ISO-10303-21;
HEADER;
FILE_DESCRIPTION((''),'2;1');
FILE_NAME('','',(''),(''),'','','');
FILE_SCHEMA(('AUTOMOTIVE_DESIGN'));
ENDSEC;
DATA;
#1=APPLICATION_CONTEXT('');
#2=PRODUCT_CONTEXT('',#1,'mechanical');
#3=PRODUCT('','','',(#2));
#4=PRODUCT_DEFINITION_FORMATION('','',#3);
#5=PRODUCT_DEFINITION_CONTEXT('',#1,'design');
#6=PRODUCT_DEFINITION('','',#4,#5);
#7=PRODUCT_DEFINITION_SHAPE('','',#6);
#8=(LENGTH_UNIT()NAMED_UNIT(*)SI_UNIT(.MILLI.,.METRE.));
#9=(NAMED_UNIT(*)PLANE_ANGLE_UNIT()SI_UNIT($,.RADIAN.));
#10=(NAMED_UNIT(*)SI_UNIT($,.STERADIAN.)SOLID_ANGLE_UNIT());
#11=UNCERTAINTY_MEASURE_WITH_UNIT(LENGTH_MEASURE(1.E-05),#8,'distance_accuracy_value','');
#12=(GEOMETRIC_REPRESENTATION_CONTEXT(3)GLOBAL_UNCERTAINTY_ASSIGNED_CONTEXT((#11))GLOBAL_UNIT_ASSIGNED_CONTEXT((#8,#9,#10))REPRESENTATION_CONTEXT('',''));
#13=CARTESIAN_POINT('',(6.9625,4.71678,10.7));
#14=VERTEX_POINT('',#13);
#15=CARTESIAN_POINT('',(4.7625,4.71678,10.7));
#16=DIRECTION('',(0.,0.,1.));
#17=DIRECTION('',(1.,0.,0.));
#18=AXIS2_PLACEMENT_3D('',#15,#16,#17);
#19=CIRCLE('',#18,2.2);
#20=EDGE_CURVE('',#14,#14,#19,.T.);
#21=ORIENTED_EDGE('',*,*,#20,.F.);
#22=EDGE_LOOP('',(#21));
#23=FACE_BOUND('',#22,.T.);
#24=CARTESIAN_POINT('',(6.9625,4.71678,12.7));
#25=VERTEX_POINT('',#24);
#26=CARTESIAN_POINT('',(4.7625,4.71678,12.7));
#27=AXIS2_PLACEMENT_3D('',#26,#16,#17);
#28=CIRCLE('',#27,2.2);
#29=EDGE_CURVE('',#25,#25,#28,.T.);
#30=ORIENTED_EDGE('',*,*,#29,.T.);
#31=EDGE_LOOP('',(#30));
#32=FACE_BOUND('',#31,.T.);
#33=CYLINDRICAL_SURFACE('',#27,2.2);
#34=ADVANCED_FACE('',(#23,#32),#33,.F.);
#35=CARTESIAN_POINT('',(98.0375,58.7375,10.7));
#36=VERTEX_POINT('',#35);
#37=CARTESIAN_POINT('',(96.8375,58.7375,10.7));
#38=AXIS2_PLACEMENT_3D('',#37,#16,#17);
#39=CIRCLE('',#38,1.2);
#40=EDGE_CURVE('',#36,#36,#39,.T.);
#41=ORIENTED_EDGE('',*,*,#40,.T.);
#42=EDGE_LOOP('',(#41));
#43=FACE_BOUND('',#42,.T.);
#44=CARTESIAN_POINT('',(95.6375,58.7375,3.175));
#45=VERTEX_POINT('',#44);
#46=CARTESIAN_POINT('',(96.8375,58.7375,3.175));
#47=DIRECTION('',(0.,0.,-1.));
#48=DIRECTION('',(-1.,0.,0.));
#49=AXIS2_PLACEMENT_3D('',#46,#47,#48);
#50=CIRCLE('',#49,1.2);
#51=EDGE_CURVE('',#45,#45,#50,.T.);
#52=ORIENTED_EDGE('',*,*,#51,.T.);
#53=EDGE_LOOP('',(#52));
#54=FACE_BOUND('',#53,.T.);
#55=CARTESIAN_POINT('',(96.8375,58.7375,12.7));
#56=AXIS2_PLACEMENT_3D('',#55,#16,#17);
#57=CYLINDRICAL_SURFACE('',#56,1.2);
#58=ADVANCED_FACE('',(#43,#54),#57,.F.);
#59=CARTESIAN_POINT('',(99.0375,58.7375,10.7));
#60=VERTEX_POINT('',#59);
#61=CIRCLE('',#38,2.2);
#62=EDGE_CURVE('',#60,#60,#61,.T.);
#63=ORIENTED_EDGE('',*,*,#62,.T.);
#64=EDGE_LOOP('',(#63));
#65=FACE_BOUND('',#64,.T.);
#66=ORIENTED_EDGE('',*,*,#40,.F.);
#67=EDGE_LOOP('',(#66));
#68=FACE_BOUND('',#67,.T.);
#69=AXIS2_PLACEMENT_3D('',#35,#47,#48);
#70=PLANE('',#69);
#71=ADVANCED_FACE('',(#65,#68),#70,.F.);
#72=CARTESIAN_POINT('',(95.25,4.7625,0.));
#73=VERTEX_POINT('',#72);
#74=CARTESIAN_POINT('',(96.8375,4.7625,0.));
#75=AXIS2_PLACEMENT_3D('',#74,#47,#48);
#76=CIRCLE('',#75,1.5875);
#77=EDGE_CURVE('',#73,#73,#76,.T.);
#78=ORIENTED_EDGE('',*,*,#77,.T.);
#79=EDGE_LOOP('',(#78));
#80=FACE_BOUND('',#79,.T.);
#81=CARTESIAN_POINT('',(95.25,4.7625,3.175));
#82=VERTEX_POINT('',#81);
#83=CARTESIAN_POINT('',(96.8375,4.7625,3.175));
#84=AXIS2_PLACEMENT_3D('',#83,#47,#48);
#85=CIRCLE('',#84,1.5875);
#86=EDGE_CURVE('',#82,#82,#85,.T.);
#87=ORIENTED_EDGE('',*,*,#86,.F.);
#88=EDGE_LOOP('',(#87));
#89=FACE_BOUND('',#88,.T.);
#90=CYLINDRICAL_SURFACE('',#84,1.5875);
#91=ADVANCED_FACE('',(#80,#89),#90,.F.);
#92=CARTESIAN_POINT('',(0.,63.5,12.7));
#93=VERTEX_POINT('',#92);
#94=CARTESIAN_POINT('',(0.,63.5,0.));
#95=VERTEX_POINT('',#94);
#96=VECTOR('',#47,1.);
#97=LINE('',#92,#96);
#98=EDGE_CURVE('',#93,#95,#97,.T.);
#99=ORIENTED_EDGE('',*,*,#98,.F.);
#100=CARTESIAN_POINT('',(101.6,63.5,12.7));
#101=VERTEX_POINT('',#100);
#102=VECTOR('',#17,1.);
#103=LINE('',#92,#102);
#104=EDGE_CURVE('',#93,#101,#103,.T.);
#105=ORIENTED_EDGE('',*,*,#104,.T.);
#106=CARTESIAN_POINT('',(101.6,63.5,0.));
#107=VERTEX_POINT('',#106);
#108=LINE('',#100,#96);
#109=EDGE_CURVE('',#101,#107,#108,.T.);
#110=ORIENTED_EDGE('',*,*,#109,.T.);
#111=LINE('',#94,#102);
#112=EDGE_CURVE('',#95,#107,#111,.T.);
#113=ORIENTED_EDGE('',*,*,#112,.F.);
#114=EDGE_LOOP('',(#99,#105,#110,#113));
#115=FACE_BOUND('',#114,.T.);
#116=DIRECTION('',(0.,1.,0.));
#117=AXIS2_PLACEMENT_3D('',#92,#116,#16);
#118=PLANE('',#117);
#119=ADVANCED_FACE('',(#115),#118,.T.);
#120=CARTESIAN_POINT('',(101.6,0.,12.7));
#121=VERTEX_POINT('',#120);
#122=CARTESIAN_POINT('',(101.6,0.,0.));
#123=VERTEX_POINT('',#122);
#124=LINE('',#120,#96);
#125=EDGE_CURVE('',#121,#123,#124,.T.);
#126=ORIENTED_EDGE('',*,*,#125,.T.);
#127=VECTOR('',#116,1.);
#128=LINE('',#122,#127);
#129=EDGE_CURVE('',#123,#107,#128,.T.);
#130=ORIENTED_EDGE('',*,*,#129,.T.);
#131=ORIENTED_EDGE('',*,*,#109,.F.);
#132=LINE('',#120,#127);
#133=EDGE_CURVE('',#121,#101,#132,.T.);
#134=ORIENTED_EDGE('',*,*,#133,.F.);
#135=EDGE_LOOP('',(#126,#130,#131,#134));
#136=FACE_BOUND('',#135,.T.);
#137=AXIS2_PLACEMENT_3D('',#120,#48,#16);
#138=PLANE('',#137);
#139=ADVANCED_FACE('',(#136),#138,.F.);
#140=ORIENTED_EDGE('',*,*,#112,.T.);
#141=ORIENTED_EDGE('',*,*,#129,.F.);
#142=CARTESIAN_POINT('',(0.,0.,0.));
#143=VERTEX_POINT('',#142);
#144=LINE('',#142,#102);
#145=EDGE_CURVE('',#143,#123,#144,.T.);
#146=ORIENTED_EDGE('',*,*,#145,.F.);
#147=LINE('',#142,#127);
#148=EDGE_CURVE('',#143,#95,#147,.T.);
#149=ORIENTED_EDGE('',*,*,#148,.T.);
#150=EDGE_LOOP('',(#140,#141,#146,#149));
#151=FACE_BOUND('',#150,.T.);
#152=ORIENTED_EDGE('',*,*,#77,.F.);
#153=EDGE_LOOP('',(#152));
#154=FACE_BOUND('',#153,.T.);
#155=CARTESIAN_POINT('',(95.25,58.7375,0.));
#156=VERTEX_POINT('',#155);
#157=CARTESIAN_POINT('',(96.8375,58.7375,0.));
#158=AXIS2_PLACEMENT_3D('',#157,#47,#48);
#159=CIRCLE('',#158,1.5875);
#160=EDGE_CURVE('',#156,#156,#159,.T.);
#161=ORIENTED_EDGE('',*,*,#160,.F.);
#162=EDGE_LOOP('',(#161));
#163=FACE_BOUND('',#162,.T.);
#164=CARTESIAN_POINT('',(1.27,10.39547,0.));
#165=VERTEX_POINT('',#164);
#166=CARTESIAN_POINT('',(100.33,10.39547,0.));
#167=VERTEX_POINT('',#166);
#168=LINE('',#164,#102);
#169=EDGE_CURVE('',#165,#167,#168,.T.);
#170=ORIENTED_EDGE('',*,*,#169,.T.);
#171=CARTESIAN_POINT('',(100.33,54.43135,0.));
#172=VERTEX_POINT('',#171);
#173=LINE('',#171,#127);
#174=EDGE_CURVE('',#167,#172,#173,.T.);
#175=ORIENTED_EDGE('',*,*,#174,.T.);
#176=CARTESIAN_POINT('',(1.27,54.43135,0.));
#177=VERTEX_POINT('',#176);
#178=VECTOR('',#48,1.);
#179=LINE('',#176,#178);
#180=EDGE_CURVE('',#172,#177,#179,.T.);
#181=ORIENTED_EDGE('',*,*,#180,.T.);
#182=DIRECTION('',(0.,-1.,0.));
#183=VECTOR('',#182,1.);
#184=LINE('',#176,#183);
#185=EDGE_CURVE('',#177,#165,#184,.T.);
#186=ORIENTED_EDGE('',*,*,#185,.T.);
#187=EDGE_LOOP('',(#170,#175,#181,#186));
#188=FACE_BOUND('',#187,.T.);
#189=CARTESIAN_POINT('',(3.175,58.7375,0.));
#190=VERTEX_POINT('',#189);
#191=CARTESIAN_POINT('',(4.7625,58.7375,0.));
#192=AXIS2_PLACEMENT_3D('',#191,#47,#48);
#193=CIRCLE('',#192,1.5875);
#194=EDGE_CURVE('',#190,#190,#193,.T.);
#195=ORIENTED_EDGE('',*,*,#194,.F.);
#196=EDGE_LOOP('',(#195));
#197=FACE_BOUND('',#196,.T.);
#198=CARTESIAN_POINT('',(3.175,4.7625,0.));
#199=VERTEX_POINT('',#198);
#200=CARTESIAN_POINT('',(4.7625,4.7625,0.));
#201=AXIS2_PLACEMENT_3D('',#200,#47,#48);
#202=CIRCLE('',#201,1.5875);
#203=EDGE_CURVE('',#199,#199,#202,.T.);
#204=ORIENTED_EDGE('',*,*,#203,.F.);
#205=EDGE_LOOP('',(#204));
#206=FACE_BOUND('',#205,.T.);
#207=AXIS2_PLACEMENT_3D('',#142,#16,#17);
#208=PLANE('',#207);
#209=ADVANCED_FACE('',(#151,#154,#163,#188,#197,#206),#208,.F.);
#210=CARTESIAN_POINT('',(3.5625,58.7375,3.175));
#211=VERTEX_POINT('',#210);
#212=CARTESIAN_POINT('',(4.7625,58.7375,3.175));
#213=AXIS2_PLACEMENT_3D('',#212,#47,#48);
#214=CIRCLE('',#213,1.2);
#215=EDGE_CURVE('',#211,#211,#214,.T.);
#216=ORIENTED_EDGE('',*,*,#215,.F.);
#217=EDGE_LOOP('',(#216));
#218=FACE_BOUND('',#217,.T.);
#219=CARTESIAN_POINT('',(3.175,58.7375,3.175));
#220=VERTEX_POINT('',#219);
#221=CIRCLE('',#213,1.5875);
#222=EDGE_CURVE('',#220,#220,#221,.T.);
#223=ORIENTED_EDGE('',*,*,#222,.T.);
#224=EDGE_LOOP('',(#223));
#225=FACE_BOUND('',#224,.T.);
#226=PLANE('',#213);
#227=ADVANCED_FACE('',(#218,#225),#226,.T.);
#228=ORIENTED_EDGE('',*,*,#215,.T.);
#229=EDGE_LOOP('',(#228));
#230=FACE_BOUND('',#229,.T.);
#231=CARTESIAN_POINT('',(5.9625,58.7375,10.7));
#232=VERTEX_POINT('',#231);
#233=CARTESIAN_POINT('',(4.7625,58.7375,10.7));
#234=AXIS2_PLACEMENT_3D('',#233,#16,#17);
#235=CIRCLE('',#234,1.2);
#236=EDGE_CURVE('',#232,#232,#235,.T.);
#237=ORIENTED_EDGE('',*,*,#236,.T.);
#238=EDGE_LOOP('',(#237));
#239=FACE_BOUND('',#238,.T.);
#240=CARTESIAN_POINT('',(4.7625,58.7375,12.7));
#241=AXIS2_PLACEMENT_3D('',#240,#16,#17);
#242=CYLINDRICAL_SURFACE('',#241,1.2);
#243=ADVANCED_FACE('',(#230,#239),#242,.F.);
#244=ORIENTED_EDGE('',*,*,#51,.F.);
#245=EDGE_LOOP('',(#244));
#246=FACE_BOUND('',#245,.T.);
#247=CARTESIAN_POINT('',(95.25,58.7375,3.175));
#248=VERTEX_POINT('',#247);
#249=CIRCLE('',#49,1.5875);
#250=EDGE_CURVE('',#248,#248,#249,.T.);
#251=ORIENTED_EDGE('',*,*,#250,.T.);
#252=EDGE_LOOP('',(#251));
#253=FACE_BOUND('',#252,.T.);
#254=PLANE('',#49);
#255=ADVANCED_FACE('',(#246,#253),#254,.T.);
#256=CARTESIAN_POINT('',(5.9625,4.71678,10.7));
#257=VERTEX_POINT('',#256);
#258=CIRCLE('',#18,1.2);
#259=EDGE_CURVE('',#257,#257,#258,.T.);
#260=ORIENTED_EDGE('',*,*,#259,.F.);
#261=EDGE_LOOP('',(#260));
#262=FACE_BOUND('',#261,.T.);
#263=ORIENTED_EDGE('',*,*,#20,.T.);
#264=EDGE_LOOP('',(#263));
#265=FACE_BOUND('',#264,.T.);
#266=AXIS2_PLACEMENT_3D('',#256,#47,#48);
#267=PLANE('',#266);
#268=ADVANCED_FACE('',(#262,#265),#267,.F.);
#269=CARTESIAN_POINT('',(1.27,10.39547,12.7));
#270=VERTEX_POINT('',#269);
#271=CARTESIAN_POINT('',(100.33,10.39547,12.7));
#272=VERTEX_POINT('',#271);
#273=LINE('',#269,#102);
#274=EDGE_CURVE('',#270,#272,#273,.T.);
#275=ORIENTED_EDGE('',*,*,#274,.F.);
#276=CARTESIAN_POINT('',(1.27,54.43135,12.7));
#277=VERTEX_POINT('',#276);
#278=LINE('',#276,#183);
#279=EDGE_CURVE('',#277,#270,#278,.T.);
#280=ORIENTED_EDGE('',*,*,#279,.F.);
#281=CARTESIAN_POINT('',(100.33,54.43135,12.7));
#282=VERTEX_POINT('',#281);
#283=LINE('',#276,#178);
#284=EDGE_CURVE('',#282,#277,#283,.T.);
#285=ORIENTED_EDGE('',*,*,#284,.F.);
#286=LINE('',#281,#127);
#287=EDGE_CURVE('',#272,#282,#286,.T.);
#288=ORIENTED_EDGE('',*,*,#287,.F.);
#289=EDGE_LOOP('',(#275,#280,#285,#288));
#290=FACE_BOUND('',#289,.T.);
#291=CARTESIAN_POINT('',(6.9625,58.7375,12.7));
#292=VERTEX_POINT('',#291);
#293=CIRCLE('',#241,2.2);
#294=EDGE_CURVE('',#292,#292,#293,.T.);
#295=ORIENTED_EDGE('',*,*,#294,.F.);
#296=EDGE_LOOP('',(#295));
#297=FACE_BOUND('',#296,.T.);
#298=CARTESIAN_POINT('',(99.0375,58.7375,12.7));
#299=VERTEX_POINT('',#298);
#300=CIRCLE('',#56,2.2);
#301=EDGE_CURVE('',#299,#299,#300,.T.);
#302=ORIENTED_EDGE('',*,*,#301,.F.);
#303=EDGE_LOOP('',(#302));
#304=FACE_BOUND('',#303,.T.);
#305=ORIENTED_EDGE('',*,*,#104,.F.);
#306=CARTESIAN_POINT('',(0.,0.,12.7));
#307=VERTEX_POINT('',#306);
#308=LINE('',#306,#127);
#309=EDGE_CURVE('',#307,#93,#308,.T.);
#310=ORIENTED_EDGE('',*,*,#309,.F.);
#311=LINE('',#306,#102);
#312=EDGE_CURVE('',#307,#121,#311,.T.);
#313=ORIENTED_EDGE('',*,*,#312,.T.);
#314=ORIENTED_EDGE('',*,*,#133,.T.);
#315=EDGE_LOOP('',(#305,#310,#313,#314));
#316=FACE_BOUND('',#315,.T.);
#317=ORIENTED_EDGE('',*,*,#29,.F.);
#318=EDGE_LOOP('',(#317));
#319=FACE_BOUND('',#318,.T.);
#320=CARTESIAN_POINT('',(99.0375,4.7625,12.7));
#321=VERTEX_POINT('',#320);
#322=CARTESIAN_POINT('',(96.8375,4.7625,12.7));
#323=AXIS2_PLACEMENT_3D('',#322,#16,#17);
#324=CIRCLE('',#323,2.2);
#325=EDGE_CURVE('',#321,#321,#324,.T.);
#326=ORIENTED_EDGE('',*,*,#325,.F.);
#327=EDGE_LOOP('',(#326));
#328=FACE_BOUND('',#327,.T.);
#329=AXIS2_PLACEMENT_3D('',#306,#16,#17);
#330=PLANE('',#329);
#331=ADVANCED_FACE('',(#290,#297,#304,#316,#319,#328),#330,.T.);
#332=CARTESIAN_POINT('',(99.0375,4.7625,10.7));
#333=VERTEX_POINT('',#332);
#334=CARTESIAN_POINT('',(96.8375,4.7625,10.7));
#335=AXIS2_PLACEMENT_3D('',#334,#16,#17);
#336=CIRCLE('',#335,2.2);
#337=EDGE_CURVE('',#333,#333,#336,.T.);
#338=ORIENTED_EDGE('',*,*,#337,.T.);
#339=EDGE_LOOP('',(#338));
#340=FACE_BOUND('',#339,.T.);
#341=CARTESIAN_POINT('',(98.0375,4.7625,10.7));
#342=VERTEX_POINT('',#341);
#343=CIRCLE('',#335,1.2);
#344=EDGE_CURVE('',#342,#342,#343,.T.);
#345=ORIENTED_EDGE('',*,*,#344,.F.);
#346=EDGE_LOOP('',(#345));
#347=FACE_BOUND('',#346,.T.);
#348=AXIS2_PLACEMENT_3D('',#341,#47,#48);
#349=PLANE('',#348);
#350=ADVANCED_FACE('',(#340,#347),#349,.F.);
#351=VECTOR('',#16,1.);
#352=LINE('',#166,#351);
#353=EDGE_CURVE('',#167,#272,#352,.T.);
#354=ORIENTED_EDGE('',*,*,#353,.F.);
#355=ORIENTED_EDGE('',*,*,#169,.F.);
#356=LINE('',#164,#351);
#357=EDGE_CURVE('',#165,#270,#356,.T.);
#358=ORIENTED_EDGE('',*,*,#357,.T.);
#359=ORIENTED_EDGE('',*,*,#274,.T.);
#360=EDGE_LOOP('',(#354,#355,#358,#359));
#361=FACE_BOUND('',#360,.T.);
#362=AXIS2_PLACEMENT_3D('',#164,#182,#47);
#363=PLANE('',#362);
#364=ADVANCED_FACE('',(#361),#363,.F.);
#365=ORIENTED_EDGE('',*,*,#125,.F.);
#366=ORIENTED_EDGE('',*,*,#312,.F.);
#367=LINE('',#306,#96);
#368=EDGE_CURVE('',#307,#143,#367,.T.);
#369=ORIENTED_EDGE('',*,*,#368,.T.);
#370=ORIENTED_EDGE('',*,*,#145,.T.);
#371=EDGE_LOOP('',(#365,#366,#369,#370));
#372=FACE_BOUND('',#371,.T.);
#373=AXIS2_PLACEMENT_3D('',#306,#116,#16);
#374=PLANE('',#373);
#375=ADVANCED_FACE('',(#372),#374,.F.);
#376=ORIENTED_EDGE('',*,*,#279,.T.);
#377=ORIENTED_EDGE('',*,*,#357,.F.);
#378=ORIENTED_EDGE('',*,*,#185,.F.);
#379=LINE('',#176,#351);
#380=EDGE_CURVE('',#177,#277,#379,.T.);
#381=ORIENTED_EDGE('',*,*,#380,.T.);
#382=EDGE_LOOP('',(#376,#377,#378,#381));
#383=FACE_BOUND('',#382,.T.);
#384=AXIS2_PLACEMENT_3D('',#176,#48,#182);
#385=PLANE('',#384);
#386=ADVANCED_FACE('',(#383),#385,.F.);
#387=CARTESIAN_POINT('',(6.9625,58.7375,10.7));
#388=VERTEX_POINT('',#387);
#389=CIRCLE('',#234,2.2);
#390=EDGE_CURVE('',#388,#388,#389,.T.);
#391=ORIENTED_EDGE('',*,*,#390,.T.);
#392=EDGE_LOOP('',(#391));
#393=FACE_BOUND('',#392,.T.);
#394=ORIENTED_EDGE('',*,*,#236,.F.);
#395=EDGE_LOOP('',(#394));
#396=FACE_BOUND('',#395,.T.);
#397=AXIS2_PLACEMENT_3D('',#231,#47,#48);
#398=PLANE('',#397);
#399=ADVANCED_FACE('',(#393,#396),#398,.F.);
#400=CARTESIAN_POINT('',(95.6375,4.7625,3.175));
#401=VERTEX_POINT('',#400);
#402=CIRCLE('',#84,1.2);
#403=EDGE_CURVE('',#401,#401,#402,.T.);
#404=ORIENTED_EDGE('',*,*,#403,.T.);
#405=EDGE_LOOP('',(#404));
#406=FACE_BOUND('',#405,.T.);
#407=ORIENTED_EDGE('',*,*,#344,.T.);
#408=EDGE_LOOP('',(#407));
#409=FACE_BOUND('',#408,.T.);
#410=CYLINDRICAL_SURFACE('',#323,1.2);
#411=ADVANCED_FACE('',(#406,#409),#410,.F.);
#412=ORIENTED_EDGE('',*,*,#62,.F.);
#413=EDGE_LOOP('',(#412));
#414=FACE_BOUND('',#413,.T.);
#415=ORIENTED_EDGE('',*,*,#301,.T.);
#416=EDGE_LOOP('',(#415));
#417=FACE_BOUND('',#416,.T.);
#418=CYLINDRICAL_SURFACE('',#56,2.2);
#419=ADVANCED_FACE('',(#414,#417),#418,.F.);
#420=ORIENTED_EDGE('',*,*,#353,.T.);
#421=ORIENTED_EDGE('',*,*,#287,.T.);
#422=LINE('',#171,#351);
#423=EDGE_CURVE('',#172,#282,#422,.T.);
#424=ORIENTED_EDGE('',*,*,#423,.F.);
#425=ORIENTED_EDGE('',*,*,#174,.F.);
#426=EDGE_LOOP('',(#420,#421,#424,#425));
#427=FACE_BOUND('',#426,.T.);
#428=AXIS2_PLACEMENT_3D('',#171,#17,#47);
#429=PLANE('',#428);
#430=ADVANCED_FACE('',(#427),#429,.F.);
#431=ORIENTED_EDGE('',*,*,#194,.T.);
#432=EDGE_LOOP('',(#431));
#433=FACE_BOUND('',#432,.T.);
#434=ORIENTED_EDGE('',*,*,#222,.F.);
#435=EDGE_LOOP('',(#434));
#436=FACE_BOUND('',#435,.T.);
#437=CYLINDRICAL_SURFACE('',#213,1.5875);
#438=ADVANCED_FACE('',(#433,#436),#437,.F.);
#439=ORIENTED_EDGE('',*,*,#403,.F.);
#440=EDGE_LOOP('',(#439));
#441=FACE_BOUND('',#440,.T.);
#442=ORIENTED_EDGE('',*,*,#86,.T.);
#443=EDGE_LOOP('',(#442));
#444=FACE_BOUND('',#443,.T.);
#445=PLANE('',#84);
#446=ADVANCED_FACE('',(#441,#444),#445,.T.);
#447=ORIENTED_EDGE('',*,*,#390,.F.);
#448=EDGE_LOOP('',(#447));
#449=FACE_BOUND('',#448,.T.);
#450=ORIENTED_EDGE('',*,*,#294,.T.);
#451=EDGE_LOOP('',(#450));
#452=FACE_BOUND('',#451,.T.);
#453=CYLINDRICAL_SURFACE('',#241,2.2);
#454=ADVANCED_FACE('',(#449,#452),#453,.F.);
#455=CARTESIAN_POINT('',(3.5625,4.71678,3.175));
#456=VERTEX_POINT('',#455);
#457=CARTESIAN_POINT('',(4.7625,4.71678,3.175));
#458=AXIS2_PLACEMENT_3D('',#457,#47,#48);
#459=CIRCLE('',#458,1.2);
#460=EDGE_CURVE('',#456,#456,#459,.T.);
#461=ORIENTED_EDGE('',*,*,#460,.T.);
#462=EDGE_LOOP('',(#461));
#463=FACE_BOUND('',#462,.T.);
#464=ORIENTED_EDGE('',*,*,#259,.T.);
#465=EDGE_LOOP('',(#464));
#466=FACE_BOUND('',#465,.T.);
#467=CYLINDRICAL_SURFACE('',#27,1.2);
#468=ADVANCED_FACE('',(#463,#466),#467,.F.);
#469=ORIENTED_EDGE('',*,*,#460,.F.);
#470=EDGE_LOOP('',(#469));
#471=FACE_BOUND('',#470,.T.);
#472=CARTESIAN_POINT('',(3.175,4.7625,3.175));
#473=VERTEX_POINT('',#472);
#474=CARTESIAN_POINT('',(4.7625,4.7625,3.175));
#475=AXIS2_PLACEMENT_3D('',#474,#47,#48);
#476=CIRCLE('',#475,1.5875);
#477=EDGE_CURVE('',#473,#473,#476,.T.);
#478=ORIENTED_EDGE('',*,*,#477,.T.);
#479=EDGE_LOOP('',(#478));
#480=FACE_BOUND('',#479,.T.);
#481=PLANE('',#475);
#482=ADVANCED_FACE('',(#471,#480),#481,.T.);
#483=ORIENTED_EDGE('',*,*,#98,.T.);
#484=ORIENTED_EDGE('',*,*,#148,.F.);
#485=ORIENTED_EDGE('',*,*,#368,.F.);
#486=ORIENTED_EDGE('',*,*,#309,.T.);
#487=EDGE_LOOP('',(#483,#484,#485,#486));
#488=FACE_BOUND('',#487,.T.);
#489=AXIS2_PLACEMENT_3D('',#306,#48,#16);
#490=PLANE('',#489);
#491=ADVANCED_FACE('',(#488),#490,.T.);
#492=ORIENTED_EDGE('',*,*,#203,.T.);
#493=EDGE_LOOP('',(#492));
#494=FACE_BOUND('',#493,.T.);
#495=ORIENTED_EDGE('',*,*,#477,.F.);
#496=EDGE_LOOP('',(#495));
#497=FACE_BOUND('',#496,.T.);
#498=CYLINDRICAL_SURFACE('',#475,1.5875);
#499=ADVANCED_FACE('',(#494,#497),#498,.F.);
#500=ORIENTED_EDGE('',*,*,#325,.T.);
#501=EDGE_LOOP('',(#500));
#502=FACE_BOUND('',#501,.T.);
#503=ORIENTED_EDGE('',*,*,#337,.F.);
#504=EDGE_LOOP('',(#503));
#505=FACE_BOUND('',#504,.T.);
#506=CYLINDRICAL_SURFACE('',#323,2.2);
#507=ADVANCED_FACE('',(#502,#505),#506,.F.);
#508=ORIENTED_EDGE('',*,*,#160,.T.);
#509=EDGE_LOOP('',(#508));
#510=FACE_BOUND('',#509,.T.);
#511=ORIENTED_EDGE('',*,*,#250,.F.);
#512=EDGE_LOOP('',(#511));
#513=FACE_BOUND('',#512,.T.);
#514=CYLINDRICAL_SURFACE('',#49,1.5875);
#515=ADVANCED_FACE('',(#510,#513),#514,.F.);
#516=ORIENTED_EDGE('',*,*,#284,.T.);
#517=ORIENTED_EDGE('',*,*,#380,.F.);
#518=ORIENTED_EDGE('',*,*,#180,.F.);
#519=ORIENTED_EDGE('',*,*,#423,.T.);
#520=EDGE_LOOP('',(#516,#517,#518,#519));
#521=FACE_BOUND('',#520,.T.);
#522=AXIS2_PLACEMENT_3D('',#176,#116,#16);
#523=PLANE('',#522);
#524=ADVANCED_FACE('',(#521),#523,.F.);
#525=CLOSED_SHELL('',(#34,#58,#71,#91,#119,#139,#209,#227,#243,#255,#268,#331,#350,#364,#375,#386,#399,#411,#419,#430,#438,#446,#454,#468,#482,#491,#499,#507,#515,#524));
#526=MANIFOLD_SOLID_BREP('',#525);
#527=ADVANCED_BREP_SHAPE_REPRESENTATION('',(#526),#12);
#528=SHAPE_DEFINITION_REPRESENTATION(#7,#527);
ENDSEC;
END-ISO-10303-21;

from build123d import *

# Parameters (mm, degrees)
SKETCH1_W                      = 101.6
SKETCH1_H                      = 63.5
BOSS_EXTRUDE1_DEPTH            = 12.7
SKETCH2_W                      = 99.06
SKETCH2_H                      = 44.03588005
CUT_EXTRUDE1_DEPTH             = 12.7
SKETCH3_R                      = 1.5875
CUT_EXTRUDE2_DEPTH             = 3.175
CBORE_FOR_M2_SHCS1_D           = 2.4
CBORE_FOR_M2_SHCS1_CBORE_D     = 4.4
CBORE_FOR_M2_SHCS1_CBORE_DEPTH = 2


with BuildPart() as part:
    # Sketch1 → Boss-Extrude1 (new body)
    with BuildSketch(Plane.XY):
        with Locations((50.8, 31.75)):
            Rectangle(SKETCH1_W, SKETCH1_H)
    extrude(amount=BOSS_EXTRUDE1_DEPTH)

    # Sketch2 → Cut-Extrude1 (cut)
    with BuildSketch(Plane.XY.offset(12.7)):
        with Locations((50.8, 32.4134102)):
            Rectangle(SKETCH2_W, SKETCH2_H)
    extrude(amount=-CUT_EXTRUDE1_DEPTH, mode=Mode.SUBTRACT)

    # Sketch3 → Cut-Extrude2 (cut)
    with BuildSketch(Plane(origin=(0, 0, 0), x_dir=(-1, 0, 0), z_dir=(0, 0, -1))):
        with Locations((-96.8375, 4.7625)):
            Circle(SKETCH3_R)
        with Locations((-96.8375, 58.7375)):
            Circle(SKETCH3_R)
        with Locations((-4.7625, 58.7375)):
            Circle(SKETCH3_R)
        with Locations((-4.7625, 4.7625)):
            Circle(SKETCH3_R)
    extrude(amount=-CUT_EXTRUDE2_DEPTH, mode=Mode.SUBTRACT)

    # CBORE for M2 SHCS1 (through all)
    with Locations(Plane.XY.offset(12.7)):
        with Locations((96.8375, 4.7625), (96.8375, 58.7375), (4.7625, 58.7375), (4.7625, 4.71678)):
            CounterBoreHole(CBORE_FOR_M2_SHCS1_D / 2, CBORE_FOR_M2_SHCS1_CBORE_D / 2, CBORE_FOR_M2_SHCS1_CBORE_DEPTH)


solid = part.part
